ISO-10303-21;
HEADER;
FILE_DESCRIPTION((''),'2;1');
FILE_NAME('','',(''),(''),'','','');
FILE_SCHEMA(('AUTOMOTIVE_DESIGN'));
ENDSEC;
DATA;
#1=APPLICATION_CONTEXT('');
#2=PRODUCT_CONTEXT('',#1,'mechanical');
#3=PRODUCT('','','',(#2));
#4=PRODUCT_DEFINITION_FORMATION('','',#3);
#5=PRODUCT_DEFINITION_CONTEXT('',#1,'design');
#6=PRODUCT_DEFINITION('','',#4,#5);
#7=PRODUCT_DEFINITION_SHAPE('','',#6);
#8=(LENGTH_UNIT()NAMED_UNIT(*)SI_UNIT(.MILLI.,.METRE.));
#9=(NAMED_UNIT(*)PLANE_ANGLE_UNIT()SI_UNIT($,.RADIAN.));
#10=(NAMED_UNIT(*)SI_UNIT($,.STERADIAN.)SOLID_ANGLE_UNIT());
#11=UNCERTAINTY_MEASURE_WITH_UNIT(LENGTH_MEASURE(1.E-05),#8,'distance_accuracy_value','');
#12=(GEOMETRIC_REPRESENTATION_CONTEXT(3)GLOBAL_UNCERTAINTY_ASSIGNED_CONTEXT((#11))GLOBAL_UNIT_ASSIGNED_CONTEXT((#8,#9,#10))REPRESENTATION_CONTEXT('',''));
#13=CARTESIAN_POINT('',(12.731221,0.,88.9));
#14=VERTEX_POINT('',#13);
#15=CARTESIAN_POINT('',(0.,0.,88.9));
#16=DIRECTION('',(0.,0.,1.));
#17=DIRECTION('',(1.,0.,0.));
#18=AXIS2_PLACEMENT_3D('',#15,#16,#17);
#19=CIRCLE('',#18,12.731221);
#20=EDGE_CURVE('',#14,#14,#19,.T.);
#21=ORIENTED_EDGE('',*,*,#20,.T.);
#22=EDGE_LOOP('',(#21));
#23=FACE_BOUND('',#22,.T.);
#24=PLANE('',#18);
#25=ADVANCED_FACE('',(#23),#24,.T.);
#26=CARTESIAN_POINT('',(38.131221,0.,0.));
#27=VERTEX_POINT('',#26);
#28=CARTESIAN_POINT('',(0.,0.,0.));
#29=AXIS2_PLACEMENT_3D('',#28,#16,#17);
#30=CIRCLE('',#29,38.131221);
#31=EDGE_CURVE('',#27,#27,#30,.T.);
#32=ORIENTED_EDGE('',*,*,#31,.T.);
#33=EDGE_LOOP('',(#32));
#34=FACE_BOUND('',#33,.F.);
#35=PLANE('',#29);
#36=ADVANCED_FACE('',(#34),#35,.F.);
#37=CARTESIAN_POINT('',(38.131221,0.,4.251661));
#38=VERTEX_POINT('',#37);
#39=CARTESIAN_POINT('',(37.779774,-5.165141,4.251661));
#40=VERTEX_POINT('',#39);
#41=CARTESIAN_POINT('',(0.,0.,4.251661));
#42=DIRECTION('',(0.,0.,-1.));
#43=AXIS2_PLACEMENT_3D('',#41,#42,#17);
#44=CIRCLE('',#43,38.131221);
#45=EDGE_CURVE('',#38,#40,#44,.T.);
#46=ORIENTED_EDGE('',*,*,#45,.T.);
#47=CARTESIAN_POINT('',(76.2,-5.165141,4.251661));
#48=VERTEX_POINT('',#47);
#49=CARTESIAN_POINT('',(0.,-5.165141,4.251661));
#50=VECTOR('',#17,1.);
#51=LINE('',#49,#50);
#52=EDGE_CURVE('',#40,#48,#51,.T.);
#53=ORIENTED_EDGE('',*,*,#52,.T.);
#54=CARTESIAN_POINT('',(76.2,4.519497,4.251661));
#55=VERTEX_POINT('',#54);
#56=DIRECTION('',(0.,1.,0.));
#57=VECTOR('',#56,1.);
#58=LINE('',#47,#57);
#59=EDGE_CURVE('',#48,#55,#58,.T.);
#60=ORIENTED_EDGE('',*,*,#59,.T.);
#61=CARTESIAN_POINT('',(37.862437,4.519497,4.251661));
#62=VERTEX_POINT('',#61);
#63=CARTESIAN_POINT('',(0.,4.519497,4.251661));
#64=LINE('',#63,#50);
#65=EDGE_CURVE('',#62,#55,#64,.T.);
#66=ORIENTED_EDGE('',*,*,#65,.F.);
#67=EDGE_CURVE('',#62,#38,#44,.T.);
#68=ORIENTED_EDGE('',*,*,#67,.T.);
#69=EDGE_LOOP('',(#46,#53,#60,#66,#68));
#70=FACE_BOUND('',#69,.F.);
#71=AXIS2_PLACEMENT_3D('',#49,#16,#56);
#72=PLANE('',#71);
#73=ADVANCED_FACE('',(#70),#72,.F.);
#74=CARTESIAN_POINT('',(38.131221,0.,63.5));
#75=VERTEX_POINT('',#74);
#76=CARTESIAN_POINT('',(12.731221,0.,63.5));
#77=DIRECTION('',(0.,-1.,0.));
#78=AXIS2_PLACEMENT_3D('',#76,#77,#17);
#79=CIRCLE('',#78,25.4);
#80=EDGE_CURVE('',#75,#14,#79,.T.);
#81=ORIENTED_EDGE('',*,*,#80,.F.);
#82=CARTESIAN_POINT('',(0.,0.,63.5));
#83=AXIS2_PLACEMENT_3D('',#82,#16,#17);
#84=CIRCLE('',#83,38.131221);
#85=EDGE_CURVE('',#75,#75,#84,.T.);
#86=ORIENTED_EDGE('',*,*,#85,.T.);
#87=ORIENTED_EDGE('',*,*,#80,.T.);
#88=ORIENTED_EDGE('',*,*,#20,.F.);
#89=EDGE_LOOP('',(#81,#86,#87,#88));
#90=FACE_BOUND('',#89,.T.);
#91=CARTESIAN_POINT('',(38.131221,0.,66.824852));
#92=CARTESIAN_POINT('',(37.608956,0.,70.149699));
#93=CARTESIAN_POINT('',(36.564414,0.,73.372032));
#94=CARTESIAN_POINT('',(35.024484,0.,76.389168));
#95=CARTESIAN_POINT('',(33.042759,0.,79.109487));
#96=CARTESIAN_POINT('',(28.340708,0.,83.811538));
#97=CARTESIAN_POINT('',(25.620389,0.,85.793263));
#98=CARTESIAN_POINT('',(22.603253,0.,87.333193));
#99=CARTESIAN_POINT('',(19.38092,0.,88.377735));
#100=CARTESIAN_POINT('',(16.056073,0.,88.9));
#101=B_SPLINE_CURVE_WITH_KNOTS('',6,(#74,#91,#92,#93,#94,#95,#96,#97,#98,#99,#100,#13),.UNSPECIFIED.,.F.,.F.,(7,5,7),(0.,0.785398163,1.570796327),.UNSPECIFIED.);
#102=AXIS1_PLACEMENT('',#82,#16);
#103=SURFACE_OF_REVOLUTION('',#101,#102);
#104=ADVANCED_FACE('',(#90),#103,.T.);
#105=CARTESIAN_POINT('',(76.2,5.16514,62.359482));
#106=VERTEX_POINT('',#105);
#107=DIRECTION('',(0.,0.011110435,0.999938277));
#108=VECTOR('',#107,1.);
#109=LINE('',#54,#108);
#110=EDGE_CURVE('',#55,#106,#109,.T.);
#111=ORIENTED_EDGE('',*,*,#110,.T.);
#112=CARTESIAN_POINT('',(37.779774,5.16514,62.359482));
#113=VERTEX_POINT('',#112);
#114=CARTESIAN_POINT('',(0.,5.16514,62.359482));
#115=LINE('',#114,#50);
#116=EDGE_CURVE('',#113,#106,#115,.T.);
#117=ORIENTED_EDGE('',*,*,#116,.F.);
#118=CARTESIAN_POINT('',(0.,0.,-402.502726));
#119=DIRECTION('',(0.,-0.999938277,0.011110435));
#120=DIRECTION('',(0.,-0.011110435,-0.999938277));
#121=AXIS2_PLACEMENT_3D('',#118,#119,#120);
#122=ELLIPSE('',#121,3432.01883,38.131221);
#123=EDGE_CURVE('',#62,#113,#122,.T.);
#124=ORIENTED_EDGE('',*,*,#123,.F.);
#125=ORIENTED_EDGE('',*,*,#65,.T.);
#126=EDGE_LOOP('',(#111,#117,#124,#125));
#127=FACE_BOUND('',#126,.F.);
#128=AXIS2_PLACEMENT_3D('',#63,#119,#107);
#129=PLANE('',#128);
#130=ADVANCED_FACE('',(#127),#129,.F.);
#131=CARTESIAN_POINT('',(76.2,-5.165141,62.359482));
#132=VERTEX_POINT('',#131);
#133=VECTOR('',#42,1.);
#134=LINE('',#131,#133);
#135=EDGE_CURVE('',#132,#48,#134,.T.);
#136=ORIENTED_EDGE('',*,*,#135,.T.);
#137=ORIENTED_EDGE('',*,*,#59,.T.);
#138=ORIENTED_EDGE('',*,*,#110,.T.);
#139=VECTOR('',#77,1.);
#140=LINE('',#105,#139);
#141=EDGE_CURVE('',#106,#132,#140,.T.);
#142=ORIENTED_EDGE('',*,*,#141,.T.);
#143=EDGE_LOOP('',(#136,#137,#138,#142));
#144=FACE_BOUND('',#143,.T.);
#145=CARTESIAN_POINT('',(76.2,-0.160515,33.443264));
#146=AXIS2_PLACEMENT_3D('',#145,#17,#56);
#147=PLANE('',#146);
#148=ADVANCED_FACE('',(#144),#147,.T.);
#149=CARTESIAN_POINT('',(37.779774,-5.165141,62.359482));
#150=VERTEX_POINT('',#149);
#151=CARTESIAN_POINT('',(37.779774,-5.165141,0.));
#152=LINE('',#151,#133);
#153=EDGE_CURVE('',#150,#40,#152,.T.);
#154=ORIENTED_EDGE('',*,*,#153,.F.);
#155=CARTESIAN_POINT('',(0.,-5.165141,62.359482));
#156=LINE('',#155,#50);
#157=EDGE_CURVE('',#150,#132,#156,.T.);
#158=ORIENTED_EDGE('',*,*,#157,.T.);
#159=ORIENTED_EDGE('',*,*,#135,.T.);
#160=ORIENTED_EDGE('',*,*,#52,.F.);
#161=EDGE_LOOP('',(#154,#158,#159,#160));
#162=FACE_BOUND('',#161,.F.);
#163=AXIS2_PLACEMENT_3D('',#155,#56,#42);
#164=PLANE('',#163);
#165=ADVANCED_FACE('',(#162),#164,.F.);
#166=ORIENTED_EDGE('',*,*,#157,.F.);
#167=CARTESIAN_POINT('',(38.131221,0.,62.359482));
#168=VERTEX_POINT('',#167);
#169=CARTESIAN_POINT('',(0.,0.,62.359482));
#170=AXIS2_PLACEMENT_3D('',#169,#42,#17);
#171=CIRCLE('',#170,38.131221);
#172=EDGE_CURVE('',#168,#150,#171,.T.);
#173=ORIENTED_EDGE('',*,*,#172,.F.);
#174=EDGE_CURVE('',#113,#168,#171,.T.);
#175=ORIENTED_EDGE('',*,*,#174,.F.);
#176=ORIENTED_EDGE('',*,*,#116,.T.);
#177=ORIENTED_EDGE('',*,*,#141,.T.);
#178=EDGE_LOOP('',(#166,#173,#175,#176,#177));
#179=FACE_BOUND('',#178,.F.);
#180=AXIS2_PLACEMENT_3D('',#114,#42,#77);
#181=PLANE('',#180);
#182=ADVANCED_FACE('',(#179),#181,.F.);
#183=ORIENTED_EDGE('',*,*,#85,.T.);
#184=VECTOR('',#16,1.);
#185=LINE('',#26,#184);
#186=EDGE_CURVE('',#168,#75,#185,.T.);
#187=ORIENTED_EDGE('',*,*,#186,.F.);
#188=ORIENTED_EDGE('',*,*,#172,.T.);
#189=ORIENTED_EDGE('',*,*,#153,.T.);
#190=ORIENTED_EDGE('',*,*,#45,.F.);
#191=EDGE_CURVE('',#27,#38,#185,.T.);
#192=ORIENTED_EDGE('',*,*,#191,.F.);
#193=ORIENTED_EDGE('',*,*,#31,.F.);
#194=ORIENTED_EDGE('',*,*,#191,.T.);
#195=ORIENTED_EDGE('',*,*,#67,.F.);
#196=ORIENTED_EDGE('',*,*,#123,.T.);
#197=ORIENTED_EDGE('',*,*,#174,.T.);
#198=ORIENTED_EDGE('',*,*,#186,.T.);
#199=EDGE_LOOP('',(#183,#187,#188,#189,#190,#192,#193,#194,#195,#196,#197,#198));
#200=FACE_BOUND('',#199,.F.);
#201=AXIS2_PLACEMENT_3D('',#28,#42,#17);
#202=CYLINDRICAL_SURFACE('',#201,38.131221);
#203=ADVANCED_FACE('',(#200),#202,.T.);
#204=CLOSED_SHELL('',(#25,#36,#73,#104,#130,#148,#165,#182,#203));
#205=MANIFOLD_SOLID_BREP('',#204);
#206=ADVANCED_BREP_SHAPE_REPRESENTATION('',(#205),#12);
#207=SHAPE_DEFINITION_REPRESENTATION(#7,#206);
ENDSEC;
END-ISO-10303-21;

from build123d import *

# Parameters (mm, degrees)
F0_R     = 38.131221
F1_DEPTH = 88.9
F2_R     = 25.4
F4_DEPTH = 76.2


with BuildPart() as f1:
    # F0 (on Top) → F1 (new body)
    with BuildSketch(Plane.XY):
        Circle(F0_R)
    extrude(amount=F1_DEPTH)

    # F2
    f2_edges = [f1.edges().sort_by_distance(p)[0] for p in [
        (-38.131221, 0, 88.9),
    ]]
    fillet(f2_edges, radius=F2_R)

    # F3 (on Right) → F4 (join)
    with BuildSketch(Plane.YZ):
        Polygon((4.519497, 4.251661), (5.16514, 62.359482), (-5.165141, 62.359482), (-5.165141, 4.251661), align=None)
    extrude(amount=F4_DEPTH)


solid = f1.part
